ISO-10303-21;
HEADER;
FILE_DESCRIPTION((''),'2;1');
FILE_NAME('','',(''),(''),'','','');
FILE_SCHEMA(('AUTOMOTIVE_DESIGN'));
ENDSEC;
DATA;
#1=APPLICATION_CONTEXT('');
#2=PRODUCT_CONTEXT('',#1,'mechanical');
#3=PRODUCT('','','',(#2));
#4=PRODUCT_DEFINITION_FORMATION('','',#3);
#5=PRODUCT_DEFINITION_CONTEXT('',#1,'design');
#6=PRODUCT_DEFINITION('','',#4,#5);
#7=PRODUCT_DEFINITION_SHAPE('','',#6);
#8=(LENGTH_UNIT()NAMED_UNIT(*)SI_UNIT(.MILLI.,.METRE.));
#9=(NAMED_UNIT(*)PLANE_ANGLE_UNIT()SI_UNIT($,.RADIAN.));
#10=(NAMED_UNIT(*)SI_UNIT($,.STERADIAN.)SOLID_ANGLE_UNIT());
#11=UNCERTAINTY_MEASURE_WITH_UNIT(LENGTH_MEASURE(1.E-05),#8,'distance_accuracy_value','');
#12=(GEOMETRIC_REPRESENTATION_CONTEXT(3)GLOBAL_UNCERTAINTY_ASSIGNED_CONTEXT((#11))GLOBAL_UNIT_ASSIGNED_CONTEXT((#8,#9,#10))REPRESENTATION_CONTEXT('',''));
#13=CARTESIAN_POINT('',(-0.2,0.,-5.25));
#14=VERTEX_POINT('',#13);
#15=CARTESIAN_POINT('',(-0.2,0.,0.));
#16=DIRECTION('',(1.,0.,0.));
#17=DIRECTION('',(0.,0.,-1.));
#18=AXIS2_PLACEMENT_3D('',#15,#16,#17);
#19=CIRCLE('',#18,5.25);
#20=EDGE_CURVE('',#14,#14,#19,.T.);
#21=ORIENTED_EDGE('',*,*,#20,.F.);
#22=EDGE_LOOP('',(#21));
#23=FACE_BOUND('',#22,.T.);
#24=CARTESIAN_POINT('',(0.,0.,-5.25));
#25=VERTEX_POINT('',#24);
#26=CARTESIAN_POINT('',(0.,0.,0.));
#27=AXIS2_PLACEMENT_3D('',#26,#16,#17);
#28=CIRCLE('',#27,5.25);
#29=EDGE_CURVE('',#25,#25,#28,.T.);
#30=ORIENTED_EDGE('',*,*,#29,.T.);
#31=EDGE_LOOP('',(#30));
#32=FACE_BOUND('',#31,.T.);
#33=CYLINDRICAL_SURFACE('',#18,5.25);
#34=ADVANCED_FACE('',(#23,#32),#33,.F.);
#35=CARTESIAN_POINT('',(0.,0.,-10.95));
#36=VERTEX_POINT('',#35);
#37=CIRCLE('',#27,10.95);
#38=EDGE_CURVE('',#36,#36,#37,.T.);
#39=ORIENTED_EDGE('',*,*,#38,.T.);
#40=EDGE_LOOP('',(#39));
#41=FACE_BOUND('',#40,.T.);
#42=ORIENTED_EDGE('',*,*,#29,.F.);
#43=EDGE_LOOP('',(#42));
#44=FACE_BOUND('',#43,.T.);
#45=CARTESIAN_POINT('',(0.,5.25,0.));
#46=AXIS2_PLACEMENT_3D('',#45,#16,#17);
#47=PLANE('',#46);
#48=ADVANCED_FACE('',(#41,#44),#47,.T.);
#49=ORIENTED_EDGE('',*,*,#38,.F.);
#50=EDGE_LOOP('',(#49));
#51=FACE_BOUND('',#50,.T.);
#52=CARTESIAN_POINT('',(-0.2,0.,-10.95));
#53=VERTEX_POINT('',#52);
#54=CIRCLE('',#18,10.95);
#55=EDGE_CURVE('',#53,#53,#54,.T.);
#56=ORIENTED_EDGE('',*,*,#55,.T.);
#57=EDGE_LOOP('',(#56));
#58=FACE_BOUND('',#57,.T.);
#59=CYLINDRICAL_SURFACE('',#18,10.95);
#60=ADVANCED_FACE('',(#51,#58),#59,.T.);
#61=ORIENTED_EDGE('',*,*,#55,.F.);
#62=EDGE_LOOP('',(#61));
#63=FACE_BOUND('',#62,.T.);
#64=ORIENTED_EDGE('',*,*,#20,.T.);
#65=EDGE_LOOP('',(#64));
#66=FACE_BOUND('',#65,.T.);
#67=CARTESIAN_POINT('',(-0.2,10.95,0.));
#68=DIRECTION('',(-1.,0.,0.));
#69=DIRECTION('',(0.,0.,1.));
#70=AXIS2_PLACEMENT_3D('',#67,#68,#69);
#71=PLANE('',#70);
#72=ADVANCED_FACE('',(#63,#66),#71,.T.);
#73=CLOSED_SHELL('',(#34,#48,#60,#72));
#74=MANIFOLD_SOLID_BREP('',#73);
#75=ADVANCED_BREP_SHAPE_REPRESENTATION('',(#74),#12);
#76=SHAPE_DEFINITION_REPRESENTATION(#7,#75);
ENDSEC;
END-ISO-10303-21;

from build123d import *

# Parameters (mm, degrees)
ESQUISSE1_W = 0.2
ESQUISSE1_H = 5.7


with BuildPart() as part:
    # Esquisse1 → Révolution1 (revolve)
    with BuildSketch(Plane.XY, mode=Mode.PRIVATE) as r_volution1_sk:
        with Locations((-0.1, 8.1)):
            Rectangle(ESQUISSE1_W, ESQUISSE1_H)
    revolve(r_volution1_sk.sketch.rotate(Axis((-0.2, 0, 0), (1, 0, 0)), 270), axis=Axis((-0.2, 0, 0), (1, 0, 0)))


solid = part.part
